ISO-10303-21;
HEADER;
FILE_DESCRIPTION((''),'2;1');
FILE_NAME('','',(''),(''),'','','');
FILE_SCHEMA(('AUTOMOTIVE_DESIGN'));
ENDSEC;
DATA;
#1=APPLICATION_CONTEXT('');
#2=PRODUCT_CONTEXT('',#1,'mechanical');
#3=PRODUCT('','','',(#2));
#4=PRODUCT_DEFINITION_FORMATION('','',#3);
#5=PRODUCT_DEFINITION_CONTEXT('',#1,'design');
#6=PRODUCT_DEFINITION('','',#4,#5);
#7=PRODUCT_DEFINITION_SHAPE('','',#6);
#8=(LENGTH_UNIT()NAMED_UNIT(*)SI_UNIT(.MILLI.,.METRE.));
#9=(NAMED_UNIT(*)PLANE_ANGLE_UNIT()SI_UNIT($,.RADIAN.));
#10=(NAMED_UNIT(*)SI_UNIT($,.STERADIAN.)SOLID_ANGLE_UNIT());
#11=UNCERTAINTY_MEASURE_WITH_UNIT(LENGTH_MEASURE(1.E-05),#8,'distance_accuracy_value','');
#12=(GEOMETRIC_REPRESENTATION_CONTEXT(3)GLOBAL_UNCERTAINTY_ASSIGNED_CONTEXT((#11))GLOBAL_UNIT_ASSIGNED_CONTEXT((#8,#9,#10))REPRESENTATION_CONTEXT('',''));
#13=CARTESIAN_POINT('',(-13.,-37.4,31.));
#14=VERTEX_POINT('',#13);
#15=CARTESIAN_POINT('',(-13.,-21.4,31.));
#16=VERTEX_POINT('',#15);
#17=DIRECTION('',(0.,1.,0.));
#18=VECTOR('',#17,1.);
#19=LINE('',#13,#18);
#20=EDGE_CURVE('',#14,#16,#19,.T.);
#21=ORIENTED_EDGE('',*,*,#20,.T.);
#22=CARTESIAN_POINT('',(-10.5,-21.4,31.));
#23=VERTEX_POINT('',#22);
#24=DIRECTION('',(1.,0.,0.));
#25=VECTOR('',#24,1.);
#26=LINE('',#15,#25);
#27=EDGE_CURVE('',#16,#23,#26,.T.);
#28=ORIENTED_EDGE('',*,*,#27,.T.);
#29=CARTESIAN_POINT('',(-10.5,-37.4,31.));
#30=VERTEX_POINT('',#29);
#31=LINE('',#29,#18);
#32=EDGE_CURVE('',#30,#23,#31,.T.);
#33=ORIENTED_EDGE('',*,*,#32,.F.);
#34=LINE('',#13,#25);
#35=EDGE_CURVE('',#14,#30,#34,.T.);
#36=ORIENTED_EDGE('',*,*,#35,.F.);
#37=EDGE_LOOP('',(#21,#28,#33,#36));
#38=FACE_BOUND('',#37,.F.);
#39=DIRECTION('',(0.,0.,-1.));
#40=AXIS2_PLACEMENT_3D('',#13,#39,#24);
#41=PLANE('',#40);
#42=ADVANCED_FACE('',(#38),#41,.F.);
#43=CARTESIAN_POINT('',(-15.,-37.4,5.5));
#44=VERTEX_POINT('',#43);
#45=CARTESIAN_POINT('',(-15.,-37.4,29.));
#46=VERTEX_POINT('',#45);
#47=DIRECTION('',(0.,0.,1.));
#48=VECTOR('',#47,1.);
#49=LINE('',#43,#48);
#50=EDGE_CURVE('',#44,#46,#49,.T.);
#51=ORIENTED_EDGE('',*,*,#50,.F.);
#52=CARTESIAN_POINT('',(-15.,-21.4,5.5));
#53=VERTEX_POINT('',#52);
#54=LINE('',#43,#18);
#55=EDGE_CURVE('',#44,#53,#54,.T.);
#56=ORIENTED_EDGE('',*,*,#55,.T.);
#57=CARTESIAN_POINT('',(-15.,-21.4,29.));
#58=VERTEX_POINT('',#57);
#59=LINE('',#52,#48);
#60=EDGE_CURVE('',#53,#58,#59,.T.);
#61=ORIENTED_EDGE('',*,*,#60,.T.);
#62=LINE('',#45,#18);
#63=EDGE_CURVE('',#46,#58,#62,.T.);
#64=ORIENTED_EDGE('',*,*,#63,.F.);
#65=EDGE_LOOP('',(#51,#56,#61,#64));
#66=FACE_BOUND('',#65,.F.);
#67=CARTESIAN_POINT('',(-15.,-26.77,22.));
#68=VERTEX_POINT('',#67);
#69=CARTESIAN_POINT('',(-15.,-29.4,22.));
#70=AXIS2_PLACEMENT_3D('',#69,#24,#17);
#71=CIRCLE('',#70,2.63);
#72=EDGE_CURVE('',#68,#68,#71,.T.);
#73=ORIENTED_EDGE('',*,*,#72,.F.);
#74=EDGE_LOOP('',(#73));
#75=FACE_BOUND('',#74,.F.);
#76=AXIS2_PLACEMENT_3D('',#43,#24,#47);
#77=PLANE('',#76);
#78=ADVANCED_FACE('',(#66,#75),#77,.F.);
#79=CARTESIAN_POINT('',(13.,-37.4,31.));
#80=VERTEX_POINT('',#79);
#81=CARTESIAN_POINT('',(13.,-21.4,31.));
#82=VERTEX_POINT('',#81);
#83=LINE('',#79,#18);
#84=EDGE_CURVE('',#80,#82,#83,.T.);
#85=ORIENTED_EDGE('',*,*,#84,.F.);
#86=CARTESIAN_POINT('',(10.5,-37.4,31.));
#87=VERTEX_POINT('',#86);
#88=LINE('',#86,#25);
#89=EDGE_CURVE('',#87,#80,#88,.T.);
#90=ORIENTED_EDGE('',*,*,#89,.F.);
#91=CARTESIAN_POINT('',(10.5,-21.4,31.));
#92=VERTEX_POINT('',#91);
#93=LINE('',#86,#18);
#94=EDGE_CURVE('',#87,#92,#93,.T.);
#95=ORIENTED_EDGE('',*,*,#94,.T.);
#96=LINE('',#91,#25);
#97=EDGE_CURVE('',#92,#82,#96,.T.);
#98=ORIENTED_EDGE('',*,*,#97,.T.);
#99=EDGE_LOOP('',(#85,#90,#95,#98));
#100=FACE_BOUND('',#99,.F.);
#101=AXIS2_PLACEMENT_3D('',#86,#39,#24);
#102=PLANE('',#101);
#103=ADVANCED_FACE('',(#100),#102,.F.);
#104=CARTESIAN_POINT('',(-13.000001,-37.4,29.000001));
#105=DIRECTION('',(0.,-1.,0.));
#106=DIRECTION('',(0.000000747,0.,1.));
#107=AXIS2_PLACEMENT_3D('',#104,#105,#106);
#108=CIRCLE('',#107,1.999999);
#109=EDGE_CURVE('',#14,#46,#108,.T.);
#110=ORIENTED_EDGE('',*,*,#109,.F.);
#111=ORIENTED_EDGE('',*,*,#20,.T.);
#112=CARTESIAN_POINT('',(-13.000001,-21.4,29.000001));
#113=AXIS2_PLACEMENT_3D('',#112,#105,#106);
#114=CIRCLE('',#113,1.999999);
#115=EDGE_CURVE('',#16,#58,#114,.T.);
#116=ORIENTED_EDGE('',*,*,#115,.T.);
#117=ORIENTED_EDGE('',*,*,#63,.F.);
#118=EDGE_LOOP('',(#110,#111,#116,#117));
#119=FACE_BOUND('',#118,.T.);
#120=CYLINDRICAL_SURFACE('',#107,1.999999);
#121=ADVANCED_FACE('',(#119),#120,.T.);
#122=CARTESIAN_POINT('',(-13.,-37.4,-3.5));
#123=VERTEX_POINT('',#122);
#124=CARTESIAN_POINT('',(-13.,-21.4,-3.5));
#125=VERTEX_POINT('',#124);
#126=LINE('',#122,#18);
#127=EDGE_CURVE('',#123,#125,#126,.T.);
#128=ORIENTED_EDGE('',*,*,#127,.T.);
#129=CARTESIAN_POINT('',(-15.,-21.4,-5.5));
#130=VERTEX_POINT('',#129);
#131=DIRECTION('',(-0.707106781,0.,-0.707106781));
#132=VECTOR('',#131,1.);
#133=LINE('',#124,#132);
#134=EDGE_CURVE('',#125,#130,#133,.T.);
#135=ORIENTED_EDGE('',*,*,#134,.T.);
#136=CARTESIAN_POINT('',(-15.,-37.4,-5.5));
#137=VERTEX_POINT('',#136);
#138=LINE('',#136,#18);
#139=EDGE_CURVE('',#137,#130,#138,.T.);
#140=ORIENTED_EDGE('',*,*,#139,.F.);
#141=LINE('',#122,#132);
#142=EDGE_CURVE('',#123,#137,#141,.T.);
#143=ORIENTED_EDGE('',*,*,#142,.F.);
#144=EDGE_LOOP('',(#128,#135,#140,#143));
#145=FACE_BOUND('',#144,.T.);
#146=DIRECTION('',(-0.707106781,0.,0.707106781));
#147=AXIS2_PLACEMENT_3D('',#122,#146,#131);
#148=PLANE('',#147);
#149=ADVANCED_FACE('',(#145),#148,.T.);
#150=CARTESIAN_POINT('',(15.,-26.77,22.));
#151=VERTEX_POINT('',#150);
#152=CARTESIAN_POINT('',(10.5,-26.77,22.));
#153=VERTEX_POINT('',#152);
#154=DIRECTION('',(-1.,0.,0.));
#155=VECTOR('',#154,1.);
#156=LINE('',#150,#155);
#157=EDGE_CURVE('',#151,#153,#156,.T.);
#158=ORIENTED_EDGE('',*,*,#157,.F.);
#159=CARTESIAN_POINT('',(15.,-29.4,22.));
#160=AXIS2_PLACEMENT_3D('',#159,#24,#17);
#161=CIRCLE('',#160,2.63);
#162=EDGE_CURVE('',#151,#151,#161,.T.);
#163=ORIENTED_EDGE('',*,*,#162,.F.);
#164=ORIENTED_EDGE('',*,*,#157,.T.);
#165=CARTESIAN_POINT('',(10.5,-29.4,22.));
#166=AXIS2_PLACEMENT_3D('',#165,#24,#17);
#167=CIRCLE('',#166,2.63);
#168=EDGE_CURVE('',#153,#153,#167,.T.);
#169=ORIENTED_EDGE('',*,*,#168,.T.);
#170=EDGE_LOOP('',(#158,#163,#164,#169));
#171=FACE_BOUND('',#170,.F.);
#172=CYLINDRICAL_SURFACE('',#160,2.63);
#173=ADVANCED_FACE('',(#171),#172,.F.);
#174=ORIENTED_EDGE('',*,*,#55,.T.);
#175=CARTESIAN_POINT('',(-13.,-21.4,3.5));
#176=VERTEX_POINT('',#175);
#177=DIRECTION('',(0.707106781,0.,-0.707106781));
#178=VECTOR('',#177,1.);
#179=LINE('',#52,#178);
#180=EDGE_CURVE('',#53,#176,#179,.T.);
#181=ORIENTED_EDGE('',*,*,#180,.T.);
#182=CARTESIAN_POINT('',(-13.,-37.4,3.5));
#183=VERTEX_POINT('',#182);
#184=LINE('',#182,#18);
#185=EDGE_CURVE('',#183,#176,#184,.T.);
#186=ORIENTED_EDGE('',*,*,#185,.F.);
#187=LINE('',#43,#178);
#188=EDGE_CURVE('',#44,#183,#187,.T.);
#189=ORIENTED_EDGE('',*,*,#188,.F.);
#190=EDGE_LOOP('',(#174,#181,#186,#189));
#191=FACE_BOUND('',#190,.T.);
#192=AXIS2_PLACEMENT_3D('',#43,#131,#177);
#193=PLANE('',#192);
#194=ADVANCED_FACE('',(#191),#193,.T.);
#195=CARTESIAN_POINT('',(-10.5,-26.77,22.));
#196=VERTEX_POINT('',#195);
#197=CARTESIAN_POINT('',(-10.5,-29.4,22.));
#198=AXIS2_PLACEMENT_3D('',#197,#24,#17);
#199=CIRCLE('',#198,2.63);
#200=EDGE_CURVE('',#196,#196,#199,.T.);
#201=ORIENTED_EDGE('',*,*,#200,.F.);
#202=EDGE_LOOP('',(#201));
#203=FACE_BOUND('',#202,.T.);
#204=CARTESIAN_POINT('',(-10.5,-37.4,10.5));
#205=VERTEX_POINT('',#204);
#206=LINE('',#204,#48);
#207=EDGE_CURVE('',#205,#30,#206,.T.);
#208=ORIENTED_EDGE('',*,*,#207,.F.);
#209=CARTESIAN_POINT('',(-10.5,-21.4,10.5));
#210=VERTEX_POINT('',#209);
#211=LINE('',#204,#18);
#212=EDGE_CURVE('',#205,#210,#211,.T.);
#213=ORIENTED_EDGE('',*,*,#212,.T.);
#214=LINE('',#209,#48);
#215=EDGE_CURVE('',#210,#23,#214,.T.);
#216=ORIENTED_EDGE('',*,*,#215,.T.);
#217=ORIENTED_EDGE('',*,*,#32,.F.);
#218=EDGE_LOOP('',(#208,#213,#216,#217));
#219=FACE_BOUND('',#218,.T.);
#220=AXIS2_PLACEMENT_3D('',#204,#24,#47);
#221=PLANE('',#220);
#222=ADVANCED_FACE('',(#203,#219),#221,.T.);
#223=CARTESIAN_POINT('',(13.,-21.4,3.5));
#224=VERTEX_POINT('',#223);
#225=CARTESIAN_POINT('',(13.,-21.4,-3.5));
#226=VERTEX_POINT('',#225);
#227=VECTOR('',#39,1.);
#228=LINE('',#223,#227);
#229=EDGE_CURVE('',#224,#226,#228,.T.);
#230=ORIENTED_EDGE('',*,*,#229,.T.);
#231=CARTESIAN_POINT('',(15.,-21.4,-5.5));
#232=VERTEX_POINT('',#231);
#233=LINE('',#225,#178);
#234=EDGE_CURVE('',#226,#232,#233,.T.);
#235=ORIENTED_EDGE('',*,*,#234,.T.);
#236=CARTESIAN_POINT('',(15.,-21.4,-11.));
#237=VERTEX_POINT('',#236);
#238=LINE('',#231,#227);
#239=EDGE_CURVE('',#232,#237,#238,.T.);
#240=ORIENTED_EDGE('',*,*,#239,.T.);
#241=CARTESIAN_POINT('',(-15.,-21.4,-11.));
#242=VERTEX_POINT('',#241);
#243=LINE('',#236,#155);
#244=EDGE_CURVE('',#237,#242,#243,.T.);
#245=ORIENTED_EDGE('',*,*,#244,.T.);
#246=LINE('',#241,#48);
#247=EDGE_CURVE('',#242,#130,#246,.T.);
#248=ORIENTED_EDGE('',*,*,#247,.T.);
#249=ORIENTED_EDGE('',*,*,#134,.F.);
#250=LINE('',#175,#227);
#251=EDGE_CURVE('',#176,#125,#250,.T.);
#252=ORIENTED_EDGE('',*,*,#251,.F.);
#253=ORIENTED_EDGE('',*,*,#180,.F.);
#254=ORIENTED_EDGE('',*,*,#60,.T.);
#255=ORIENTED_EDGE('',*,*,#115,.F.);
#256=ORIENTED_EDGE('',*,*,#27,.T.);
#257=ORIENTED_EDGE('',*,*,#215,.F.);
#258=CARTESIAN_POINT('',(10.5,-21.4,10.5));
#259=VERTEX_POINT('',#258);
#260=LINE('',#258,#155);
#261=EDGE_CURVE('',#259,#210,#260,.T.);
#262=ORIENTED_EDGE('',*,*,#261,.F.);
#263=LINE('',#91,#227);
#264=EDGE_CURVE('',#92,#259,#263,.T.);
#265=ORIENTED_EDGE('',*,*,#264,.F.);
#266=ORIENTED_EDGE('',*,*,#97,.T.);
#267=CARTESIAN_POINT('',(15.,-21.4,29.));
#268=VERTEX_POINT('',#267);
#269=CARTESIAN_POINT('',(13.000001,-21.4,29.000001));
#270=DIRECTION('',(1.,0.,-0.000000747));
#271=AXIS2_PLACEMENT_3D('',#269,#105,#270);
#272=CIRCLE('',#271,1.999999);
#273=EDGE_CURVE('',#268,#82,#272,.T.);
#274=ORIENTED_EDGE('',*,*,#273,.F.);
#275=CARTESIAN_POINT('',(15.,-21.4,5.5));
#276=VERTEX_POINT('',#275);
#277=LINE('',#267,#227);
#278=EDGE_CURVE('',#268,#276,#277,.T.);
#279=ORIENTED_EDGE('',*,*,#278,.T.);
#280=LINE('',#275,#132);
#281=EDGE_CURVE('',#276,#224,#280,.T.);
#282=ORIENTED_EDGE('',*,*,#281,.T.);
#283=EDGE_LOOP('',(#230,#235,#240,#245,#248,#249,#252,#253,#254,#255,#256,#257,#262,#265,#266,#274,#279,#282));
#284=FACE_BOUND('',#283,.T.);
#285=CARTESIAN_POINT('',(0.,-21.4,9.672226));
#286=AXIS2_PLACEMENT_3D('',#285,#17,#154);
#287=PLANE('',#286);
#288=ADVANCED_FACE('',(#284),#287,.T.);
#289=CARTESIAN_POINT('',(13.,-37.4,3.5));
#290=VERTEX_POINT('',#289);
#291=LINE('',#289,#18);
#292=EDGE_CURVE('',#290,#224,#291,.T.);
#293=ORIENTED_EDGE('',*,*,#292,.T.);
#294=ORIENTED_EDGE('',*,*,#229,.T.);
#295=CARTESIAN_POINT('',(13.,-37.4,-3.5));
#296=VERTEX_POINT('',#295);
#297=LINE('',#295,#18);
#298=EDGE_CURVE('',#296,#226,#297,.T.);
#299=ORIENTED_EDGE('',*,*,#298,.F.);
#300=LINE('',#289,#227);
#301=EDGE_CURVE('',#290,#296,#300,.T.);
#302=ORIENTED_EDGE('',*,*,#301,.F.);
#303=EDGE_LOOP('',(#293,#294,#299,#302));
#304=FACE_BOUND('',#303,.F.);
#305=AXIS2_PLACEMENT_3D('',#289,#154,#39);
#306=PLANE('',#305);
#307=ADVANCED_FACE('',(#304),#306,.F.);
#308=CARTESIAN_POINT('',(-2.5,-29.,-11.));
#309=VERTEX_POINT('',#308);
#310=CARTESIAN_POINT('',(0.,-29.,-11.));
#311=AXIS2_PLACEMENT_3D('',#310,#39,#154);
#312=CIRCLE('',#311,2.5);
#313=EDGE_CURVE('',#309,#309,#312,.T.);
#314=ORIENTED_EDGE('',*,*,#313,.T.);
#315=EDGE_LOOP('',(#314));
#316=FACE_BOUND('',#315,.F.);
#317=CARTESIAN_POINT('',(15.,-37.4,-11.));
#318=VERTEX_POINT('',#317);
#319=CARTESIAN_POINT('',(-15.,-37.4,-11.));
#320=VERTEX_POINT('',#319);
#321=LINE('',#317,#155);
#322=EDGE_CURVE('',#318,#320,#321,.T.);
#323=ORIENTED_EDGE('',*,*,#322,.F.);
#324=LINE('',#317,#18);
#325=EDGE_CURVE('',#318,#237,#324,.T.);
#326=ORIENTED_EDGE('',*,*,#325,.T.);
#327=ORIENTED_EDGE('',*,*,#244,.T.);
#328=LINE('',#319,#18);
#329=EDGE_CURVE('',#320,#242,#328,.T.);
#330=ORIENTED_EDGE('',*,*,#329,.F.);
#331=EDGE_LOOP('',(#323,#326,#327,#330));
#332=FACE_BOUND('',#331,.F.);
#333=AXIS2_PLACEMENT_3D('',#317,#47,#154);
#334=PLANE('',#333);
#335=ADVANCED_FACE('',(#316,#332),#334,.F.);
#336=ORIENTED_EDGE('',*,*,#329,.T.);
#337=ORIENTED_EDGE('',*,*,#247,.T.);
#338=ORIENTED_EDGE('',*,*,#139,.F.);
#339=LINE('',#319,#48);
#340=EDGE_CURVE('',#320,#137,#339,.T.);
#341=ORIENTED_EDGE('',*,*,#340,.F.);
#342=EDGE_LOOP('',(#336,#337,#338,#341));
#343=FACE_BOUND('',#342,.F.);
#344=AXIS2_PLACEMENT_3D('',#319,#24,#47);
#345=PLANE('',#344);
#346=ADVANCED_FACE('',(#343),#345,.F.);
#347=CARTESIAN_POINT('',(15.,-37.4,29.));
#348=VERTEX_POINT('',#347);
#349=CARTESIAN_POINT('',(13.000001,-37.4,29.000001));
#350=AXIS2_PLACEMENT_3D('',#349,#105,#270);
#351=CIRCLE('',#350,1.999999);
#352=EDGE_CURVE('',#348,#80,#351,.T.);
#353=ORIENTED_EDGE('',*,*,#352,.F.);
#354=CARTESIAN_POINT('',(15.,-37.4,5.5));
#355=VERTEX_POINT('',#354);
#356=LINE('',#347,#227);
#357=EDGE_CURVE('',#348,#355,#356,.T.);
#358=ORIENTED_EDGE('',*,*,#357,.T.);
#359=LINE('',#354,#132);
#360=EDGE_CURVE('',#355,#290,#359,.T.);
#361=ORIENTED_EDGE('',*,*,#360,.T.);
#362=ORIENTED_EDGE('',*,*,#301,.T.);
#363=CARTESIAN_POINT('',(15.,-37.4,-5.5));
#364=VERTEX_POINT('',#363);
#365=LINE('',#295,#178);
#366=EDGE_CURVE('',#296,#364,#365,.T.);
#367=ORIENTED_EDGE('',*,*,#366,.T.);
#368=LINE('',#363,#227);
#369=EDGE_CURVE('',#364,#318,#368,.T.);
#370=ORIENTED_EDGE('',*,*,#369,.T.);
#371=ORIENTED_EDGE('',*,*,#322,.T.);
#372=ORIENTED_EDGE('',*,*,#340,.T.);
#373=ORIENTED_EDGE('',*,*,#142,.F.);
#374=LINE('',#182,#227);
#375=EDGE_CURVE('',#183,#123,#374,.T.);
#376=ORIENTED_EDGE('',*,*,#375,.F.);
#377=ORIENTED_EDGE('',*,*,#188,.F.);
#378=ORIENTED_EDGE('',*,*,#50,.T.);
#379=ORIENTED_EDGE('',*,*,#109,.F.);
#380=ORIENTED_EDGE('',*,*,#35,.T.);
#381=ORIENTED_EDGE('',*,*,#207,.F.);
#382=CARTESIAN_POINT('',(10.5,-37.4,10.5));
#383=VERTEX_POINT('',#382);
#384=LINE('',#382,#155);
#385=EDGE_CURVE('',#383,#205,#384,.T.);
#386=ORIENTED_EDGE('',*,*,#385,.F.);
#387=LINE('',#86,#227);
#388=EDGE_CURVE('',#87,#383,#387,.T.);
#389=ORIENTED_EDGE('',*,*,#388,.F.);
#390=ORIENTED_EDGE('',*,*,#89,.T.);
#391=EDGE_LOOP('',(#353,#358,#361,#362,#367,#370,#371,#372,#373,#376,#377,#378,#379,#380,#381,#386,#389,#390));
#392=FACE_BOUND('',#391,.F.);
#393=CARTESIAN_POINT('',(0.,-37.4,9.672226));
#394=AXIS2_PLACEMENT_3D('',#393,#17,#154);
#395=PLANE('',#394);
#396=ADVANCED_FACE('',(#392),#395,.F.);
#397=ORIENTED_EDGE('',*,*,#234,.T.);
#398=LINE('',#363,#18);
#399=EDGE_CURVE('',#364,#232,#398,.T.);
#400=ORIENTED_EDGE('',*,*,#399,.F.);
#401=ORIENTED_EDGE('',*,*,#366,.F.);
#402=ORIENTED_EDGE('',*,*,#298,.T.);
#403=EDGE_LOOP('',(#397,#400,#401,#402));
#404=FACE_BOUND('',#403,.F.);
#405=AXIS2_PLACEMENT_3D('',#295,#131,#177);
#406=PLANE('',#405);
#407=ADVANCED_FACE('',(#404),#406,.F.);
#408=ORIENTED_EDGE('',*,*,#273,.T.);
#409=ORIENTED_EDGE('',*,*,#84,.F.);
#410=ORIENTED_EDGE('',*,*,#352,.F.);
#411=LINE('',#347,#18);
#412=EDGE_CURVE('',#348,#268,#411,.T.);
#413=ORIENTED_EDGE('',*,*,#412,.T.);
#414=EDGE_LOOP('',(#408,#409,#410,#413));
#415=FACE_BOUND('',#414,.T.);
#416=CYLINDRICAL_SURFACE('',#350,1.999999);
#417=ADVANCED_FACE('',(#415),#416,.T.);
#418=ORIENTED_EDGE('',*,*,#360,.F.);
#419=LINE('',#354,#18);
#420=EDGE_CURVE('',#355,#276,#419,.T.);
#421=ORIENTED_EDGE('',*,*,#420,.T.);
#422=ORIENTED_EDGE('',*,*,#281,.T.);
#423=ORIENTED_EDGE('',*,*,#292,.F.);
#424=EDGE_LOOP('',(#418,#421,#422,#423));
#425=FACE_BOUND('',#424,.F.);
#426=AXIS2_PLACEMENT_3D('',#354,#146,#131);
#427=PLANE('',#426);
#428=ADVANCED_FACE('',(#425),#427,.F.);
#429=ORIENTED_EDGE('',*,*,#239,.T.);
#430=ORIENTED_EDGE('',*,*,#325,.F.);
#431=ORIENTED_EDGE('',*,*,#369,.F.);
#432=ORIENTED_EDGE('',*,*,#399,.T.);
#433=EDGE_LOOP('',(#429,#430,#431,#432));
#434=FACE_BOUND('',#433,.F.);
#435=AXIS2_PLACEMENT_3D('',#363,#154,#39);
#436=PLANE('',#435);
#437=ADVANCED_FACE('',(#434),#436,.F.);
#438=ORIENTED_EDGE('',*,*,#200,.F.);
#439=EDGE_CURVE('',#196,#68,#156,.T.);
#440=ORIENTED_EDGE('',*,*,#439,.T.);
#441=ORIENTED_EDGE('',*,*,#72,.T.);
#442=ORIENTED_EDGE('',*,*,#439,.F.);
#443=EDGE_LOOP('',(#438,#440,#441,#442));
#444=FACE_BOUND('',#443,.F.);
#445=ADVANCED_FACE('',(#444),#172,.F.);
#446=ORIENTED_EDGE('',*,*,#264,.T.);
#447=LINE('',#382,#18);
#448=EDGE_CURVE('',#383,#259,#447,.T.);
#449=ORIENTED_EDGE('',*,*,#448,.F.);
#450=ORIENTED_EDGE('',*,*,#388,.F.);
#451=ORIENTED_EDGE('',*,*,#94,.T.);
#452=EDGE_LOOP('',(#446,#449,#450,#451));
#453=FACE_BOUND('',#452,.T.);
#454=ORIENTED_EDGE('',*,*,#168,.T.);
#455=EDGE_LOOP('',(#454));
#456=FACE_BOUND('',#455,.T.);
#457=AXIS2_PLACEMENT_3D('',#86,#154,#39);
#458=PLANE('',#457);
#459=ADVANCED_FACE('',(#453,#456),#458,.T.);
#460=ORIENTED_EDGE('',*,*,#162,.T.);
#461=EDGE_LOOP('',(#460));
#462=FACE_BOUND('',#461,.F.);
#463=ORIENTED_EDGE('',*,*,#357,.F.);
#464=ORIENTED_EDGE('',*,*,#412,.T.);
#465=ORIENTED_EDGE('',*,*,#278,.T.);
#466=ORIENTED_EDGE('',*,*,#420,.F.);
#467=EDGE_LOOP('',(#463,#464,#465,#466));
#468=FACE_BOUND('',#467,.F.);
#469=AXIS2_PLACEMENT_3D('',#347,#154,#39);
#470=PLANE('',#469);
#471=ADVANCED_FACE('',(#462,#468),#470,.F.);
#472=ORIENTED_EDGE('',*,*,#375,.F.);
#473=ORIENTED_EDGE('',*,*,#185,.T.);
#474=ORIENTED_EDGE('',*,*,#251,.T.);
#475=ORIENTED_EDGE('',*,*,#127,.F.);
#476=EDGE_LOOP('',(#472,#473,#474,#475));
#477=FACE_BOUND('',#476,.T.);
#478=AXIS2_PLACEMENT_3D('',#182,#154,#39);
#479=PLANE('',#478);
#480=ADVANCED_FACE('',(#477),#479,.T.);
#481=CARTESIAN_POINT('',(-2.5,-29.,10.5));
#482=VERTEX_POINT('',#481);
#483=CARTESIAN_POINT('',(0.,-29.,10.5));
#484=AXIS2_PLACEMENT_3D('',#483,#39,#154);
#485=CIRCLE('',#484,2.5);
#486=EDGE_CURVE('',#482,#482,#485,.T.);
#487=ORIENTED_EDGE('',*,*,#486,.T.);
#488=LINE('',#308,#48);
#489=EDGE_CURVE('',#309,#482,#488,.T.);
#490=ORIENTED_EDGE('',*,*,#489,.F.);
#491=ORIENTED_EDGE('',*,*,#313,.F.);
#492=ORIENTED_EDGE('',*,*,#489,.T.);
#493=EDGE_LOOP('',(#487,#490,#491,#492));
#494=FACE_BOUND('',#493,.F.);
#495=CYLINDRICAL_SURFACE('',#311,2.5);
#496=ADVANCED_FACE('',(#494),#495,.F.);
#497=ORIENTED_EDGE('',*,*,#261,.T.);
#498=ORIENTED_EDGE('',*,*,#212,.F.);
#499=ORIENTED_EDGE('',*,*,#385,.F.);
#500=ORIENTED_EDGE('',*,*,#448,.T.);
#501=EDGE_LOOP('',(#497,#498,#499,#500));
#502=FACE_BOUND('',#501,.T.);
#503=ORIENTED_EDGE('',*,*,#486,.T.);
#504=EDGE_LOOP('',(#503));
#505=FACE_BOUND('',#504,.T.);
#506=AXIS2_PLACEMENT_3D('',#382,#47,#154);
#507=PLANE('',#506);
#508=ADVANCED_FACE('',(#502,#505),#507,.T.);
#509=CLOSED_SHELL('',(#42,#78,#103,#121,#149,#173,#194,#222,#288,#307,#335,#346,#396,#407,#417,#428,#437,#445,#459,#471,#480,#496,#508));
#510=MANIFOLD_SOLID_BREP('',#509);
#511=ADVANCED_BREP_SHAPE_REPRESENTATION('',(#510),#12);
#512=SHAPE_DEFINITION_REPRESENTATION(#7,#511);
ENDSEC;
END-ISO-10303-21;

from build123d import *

# Parameters (mm, degrees)
PAD029_DEPTH         = 16
SKETCH091_R          = 2.5
POCKET046_DEPTH      = 42.001
SKETCH092_R          = 2.63
POCKET047_DEPTH      = 30.001
POCKET047_DEPTH_BACK = 0.001


with BuildPart() as part:
    # Sketch089 → Pad029 (new body)
    with BuildSketch(Plane.XZ.offset(37.4)):
        with BuildLine():
            Line((-13, 31), (-10.5, 31))
            Line((-10.5, 10.5), (-10.5, 31))
            Line((10.5, 10.5), (-10.5, 10.5))
            Line((10.5, 31), (10.5, 10.5))
            Line((10.5, 31), (13, 31))
            ThreePointArc((15, 29), (14.414214, 30.414214), (13, 31))
            Line((15, 29), (15, 5.5))
            Line((15, 5.5), (13, 3.5))
            Line((13, 3.5), (13, -3.5))
            Line((13, -3.5), (15, -5.5))
            Line((15, -5.5), (15, -11))
            Line((15, -11), (-15, -11))
            Line((-15, -11), (-15, -5.5))
            Line((-13, -3.5), (-15, -5.5))
            Line((-13, 3.5), (-13, -3.5))
            Line((-15, 5.5), (-13, 3.5))
            Line((-15, 5.5), (-15, 29))
            ThreePointArc((-13, 31), (-14.414214, 30.414214), (-15, 29))
        make_face()
    extrude(amount=-PAD029_DEPTH)

    # Sketch091 → Pocket046 (cut, through all)
    with BuildSketch(Plane(origin=(0, 0, -11), x_dir=(-1, 0, 0), z_dir=(0, 0, -1))):
        with Locations((0, -29)):
            Circle(SKETCH091_R)
    extrude(amount=-POCKET046_DEPTH, mode=Mode.SUBTRACT)

    # Sketch092 → Pocket047 (cut, two sides)
    with BuildSketch(Plane(origin=(15, -29.4, 0), x_dir=(0, 1, 0), z_dir=(1, 0, 0))) as pocket047_sk:
        with Locations((0, 22)):
            Circle(SKETCH092_R)
    extrude(amount=-POCKET047_DEPTH, mode=Mode.SUBTRACT)
    extrude(pocket047_sk.sketch, amount=POCKET047_DEPTH_BACK, mode=Mode.SUBTRACT)


solid = part.part
